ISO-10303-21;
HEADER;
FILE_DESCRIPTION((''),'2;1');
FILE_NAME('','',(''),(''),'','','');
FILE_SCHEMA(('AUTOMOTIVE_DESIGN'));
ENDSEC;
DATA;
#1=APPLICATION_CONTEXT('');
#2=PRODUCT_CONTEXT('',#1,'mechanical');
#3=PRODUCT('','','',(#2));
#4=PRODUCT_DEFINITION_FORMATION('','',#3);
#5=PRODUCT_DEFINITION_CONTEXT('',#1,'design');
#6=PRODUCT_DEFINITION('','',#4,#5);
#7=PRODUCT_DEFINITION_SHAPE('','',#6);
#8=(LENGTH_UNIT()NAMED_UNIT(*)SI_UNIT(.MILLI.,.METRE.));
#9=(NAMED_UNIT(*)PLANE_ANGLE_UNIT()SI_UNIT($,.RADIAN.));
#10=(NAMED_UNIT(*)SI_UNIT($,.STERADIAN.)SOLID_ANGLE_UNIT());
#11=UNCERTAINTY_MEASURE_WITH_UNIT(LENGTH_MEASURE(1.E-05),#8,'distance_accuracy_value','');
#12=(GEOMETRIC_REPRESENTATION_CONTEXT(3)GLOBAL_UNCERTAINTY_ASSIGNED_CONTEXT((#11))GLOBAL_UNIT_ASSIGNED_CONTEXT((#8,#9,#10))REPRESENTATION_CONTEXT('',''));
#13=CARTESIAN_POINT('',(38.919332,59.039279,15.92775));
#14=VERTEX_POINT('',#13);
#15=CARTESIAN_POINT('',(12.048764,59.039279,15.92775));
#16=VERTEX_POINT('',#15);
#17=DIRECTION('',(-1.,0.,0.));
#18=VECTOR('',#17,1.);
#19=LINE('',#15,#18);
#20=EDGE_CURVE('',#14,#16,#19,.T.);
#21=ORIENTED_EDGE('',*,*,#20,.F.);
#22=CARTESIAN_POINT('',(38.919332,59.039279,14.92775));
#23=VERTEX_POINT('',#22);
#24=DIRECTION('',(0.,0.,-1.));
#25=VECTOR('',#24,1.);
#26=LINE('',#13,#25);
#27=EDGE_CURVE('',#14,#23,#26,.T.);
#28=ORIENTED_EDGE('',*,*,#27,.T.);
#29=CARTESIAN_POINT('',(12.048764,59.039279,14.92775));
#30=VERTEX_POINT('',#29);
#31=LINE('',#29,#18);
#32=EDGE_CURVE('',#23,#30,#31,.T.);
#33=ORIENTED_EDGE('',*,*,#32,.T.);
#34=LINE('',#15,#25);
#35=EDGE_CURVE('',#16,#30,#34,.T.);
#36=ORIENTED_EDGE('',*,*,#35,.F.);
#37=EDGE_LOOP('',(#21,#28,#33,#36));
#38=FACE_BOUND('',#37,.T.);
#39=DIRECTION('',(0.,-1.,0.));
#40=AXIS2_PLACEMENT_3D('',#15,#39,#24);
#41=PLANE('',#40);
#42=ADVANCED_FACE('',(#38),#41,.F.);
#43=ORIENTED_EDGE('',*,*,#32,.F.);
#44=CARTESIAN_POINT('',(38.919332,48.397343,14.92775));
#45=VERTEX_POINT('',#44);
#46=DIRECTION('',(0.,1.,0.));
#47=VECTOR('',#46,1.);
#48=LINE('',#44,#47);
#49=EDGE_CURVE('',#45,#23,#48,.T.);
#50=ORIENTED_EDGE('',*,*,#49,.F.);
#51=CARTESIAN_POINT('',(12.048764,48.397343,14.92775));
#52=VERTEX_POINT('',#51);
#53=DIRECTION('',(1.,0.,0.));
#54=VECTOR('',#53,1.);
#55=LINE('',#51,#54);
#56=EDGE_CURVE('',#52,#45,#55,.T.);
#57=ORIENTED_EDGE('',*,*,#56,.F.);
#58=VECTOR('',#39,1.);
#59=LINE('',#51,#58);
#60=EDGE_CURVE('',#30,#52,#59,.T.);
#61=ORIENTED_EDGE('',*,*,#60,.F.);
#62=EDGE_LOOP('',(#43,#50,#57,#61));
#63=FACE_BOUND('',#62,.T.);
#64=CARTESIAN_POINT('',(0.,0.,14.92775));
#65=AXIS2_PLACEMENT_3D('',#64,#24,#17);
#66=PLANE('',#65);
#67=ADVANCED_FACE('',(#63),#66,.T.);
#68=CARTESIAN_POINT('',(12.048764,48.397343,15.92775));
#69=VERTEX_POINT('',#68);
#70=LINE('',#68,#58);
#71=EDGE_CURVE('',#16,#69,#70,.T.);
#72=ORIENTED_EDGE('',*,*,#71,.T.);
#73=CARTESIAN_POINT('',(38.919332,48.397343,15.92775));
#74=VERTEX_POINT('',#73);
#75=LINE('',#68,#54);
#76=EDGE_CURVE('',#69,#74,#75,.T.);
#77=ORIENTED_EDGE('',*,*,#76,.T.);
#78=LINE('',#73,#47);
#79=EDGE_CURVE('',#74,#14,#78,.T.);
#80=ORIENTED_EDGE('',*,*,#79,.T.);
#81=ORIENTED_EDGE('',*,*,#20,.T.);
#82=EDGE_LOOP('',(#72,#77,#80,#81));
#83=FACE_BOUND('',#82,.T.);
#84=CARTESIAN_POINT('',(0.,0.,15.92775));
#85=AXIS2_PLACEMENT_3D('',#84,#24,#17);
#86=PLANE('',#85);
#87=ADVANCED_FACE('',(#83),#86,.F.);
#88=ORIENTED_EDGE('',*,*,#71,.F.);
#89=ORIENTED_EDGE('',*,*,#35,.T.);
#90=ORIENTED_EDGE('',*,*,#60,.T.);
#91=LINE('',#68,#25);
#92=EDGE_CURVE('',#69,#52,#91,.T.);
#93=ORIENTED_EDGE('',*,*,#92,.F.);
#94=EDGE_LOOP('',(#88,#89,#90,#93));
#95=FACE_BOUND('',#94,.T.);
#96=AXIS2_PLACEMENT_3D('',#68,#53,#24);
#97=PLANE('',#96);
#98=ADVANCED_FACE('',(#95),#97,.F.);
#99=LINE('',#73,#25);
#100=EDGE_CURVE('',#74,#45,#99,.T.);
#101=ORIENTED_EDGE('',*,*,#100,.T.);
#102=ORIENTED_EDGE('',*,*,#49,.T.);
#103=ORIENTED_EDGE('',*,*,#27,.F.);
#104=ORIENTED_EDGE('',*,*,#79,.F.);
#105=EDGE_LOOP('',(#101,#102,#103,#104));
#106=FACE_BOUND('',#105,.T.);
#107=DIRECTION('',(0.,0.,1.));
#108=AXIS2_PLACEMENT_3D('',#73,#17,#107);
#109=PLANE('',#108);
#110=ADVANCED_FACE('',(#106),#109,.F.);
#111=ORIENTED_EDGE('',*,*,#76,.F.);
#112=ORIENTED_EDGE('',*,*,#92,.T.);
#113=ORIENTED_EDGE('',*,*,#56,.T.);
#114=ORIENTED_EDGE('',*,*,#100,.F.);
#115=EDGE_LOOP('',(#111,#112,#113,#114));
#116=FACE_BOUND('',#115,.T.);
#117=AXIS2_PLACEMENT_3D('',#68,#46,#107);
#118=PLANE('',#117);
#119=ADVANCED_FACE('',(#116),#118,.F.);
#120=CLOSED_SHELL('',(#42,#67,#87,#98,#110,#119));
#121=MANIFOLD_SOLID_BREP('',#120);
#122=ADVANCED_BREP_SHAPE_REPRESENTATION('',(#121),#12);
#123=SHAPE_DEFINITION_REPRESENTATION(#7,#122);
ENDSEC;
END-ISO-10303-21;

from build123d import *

# Parameters (mm, degrees)
SKETCH1_W           = 26.870568318
SKETCH1_H           = 10.641935924
BOSS_EXTRUDE1_DEPTH = 1


with BuildPart() as part:
    # Sketch1 → Boss-Extrude1 (new body)
    with BuildSketch(Plane.XY.offset(14.927750355)):
        with Locations((25.484048031, 53.718310828)):
            Rectangle(SKETCH1_W, SKETCH1_H)
    extrude(amount=BOSS_EXTRUDE1_DEPTH)


solid = part.part
